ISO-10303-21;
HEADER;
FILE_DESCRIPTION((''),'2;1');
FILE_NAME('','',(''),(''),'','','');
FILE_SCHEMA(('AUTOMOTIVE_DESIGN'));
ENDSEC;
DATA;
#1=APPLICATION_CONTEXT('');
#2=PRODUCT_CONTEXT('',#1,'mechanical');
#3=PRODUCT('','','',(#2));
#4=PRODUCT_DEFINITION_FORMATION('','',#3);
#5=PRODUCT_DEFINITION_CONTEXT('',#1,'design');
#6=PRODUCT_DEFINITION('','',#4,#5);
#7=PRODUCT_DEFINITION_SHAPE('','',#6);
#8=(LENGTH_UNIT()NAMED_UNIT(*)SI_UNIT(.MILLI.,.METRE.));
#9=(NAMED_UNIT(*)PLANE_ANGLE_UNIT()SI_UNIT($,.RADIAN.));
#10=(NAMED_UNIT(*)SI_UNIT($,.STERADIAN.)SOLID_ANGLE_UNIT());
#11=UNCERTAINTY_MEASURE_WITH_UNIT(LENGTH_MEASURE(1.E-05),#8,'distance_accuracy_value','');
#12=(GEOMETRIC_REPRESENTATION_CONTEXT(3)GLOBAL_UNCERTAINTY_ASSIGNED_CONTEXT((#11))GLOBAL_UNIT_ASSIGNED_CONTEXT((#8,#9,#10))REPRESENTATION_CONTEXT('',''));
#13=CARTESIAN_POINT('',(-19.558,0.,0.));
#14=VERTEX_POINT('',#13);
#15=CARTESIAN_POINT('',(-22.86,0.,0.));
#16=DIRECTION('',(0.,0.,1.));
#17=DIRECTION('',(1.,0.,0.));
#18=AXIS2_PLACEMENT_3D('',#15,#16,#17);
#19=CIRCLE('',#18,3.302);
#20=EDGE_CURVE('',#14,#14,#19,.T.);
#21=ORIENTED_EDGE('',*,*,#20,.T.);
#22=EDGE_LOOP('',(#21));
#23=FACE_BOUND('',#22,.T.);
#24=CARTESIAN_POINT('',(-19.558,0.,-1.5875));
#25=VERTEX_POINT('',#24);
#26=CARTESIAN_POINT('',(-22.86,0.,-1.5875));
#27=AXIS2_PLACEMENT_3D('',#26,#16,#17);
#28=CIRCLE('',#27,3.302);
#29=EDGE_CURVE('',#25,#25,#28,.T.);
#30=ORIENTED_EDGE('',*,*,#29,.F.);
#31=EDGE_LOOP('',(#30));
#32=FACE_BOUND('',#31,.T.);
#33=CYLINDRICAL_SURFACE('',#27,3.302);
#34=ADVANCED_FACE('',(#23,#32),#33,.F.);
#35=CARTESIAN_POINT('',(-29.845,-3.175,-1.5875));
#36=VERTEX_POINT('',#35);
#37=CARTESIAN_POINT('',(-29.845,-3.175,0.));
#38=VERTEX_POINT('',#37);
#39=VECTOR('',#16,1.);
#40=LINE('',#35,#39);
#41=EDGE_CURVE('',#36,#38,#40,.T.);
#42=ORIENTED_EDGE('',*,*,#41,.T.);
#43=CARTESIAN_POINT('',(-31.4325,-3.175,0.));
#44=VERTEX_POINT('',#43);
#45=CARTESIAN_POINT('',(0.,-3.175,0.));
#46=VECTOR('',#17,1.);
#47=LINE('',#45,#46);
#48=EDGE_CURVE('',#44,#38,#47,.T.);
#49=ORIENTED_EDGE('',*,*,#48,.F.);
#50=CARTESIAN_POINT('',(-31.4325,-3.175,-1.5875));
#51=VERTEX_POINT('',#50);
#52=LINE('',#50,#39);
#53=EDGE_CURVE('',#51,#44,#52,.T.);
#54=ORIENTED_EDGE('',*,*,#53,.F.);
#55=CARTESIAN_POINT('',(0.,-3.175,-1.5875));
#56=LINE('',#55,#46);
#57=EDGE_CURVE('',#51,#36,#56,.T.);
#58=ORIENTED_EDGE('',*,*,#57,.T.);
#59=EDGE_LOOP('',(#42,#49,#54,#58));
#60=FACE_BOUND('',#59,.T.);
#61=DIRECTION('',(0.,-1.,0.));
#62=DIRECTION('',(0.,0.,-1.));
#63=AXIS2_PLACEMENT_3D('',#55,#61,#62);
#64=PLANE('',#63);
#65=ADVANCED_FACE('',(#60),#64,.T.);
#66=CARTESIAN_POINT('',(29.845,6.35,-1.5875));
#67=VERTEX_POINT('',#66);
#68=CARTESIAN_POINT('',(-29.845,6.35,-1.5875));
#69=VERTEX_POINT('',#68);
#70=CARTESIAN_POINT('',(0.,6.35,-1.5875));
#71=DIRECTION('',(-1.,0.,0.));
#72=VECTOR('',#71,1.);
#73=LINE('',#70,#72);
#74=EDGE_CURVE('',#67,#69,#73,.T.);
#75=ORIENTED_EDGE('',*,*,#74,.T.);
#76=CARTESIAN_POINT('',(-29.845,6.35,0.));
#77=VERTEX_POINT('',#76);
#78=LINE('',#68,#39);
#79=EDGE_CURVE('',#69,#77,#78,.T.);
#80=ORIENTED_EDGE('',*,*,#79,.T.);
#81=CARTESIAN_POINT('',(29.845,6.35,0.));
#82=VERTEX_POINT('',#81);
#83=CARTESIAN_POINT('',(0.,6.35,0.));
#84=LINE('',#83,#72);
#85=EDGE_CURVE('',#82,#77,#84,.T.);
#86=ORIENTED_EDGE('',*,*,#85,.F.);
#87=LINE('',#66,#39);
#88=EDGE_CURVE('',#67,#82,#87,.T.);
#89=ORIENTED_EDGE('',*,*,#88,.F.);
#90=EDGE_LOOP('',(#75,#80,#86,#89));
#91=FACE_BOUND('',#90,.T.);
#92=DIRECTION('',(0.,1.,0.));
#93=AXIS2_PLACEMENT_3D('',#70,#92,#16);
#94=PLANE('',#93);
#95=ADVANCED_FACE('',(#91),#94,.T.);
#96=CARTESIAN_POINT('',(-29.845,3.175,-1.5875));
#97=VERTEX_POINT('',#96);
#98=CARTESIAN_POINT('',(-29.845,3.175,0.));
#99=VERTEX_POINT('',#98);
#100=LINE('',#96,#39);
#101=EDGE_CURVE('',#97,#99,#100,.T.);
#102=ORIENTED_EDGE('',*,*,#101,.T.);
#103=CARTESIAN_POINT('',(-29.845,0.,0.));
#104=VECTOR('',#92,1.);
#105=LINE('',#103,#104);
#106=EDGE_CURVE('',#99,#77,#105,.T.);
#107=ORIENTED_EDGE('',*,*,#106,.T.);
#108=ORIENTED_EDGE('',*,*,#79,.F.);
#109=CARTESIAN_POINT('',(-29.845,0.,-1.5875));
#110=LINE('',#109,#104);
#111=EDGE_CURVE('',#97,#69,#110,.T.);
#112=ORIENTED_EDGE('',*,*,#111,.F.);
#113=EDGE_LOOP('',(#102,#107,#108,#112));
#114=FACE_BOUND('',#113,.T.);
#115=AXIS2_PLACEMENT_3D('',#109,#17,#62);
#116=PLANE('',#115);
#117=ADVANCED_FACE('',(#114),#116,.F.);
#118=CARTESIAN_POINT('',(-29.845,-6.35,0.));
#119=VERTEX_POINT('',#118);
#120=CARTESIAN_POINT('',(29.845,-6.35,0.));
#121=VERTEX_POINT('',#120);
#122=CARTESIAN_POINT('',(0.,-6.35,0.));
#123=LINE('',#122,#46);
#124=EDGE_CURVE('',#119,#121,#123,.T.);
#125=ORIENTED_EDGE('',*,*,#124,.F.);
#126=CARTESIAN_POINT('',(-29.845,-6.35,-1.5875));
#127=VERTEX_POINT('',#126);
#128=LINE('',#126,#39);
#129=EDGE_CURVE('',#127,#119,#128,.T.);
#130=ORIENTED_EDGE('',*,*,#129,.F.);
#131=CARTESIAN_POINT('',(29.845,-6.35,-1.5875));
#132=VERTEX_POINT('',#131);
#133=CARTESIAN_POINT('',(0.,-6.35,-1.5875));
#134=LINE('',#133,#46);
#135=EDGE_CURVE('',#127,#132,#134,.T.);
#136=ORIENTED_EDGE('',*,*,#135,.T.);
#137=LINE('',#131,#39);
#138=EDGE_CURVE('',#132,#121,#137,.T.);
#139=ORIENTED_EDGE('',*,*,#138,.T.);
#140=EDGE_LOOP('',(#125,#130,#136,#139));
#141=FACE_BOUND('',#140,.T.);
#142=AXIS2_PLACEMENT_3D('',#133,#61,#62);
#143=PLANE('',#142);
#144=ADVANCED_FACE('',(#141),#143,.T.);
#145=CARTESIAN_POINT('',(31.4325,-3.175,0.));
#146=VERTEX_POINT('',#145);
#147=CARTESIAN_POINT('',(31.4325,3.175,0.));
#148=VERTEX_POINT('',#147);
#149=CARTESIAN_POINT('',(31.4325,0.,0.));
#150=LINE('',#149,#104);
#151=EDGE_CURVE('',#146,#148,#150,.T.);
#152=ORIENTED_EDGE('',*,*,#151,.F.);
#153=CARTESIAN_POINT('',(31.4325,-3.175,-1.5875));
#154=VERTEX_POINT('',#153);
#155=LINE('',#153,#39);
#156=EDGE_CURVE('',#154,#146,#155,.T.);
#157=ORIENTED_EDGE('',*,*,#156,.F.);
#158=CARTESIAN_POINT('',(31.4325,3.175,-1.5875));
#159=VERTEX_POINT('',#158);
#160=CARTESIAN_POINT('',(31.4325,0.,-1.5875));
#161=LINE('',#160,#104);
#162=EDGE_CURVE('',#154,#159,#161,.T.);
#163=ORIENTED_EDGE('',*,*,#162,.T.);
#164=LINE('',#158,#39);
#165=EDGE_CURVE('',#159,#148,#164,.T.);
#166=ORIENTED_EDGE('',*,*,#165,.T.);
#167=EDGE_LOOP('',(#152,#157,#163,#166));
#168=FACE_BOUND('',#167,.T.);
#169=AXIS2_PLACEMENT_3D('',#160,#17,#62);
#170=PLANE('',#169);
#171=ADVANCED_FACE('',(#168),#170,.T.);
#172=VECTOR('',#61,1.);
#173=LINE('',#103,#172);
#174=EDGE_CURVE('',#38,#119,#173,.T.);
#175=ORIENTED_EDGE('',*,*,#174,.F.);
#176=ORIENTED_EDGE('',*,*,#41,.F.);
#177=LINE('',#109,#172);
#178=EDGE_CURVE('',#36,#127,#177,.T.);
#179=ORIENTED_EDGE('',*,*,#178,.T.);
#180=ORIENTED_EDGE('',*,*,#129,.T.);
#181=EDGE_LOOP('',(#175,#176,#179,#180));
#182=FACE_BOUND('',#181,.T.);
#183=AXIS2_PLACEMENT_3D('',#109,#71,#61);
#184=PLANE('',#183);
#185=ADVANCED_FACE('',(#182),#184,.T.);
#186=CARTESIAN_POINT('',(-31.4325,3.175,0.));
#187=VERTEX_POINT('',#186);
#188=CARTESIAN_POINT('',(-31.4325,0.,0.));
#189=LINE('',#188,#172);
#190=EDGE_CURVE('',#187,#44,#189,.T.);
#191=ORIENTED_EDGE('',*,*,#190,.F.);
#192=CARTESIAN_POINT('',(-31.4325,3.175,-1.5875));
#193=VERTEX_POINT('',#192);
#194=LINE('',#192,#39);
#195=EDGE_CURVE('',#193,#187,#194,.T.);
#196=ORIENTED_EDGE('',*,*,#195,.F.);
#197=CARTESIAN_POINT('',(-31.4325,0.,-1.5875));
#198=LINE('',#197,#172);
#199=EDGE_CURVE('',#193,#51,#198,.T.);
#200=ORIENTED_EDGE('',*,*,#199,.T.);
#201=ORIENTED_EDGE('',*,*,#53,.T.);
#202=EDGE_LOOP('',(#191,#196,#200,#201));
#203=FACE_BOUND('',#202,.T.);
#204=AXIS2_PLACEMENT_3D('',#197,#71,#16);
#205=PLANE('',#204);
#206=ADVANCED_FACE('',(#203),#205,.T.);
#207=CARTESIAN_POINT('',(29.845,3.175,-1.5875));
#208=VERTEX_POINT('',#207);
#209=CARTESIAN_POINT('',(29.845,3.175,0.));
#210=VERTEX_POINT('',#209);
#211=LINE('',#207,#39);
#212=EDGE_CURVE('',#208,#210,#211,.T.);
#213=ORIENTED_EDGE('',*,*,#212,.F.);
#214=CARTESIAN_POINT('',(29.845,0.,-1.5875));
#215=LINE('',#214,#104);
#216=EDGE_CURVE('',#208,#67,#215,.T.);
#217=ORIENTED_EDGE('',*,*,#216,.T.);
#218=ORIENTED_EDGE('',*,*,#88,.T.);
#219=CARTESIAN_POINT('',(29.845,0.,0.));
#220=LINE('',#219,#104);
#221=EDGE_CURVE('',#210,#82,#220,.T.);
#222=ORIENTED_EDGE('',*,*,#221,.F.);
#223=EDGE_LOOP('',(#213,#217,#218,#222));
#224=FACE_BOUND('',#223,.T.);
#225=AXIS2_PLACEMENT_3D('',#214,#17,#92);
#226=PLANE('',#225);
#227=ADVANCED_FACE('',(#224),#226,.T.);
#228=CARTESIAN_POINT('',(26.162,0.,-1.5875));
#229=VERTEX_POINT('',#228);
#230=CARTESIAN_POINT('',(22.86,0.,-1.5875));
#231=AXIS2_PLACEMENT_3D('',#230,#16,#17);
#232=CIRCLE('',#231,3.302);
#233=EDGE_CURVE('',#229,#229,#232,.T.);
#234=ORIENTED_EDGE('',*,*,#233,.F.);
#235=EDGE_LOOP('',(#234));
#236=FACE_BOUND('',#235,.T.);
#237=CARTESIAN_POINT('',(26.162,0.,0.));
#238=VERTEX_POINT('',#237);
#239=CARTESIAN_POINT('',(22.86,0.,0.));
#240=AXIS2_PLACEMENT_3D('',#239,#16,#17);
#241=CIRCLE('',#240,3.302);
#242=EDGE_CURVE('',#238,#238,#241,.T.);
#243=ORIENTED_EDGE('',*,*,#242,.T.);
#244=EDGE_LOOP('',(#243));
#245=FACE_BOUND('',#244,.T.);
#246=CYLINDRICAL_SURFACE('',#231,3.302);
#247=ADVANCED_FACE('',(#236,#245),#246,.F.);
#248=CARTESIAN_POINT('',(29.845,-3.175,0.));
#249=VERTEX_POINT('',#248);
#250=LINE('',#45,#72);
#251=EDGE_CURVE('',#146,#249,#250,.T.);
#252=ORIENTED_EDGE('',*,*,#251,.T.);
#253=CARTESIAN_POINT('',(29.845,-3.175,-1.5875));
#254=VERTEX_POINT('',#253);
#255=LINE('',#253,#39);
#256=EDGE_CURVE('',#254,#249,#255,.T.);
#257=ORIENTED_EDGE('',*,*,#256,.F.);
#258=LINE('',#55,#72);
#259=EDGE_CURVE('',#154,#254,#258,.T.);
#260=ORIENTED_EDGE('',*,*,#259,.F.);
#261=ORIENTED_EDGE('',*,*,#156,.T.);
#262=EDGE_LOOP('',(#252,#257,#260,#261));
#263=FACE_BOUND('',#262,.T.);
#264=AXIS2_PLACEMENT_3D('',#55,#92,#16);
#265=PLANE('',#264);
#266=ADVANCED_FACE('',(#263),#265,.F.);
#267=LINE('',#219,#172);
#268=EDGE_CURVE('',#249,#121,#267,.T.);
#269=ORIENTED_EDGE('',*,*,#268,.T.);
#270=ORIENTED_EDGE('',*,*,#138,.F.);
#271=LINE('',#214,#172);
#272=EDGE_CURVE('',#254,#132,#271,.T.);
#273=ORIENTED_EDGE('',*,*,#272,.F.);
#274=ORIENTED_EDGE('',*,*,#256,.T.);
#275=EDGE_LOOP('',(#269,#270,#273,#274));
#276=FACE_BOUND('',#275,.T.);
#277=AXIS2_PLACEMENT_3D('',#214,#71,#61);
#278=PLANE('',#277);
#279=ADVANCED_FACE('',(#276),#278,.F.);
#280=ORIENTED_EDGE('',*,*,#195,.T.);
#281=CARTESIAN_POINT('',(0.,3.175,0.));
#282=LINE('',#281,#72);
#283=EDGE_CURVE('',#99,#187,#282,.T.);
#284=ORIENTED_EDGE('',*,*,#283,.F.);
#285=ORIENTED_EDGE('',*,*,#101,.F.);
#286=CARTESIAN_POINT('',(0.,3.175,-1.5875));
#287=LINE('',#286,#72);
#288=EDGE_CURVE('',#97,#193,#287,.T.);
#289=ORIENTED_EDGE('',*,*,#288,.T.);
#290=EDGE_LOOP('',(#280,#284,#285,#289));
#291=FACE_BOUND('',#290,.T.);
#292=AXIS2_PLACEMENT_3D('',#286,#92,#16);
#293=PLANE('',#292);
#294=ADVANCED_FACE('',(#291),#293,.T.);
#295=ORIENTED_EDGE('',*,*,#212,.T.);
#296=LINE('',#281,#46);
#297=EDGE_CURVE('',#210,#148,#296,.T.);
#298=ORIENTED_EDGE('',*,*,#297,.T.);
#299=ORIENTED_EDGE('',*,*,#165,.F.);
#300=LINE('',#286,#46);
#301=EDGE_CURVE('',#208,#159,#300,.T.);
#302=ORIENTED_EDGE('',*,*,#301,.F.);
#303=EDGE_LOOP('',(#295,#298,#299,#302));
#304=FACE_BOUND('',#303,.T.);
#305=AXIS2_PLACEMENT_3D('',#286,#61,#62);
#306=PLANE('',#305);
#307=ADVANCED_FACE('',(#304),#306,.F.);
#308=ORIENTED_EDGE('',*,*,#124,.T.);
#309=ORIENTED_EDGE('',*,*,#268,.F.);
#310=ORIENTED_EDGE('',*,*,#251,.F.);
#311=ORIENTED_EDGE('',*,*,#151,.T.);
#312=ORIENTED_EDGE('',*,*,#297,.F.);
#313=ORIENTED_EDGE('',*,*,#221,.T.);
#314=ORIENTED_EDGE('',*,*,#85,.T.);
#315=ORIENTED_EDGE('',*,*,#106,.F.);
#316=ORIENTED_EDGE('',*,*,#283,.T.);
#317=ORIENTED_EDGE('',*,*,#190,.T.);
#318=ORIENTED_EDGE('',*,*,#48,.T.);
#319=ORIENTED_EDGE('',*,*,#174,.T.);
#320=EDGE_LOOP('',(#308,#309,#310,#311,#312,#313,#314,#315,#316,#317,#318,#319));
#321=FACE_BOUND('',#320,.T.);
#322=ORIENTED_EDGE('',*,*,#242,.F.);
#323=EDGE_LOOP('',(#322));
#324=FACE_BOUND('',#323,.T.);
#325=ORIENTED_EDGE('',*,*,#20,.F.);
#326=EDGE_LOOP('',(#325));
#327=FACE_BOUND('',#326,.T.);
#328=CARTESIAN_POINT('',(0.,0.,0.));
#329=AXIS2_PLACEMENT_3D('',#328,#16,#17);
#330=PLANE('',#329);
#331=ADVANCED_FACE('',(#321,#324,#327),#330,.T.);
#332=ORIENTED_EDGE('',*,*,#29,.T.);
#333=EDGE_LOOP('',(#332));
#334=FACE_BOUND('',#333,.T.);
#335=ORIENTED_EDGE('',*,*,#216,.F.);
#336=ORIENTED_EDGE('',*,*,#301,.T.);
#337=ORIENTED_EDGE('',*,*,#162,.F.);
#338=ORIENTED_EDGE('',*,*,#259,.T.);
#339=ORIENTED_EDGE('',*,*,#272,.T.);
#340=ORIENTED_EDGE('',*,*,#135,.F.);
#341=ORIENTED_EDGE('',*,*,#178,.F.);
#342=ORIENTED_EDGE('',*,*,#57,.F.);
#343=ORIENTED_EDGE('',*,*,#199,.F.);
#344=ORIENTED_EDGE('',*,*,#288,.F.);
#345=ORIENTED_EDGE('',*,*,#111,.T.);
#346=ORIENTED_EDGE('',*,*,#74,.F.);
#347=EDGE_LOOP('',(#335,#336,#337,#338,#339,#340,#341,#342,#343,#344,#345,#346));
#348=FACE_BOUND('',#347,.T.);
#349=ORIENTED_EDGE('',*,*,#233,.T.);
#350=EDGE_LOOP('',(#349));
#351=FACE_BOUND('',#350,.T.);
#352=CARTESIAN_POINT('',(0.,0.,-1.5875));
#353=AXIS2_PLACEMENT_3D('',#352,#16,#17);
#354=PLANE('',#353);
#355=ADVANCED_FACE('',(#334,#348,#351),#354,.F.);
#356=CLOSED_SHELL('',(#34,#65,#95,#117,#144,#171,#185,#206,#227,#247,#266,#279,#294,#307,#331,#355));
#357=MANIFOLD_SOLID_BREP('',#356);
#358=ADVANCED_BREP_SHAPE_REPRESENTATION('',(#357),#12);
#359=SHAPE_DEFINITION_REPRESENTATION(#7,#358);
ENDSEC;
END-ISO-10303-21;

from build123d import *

# Parameters (mm, degrees)
SKETCH1_R           = 3.302
BOSS_EXTRUDE1_DEPTH = 1.5875


with BuildPart() as part:
    # Sketch1 → Boss-Extrude1 (new body)
    with BuildSketch(Plane.XY):
        Polygon((29.845, -3.175), (31.4325, -3.175), (31.4325, 3.175), (29.845, 3.175), (29.845, 6.35), (-29.845, 6.35), (-29.845, 3.175), (-31.4325, 3.175), (-31.4325, -3.175), (-29.845, -3.175), (-29.845, -6.35), (29.845, -6.35), align=None)
        with Locations((-22.86, 0)):
            Circle(SKETCH1_R, mode=Mode.SUBTRACT)
        with Locations((22.86, 0)):
            Circle(SKETCH1_R, mode=Mode.SUBTRACT)
    extrude(amount=-BOSS_EXTRUDE1_DEPTH)


solid = part.part
